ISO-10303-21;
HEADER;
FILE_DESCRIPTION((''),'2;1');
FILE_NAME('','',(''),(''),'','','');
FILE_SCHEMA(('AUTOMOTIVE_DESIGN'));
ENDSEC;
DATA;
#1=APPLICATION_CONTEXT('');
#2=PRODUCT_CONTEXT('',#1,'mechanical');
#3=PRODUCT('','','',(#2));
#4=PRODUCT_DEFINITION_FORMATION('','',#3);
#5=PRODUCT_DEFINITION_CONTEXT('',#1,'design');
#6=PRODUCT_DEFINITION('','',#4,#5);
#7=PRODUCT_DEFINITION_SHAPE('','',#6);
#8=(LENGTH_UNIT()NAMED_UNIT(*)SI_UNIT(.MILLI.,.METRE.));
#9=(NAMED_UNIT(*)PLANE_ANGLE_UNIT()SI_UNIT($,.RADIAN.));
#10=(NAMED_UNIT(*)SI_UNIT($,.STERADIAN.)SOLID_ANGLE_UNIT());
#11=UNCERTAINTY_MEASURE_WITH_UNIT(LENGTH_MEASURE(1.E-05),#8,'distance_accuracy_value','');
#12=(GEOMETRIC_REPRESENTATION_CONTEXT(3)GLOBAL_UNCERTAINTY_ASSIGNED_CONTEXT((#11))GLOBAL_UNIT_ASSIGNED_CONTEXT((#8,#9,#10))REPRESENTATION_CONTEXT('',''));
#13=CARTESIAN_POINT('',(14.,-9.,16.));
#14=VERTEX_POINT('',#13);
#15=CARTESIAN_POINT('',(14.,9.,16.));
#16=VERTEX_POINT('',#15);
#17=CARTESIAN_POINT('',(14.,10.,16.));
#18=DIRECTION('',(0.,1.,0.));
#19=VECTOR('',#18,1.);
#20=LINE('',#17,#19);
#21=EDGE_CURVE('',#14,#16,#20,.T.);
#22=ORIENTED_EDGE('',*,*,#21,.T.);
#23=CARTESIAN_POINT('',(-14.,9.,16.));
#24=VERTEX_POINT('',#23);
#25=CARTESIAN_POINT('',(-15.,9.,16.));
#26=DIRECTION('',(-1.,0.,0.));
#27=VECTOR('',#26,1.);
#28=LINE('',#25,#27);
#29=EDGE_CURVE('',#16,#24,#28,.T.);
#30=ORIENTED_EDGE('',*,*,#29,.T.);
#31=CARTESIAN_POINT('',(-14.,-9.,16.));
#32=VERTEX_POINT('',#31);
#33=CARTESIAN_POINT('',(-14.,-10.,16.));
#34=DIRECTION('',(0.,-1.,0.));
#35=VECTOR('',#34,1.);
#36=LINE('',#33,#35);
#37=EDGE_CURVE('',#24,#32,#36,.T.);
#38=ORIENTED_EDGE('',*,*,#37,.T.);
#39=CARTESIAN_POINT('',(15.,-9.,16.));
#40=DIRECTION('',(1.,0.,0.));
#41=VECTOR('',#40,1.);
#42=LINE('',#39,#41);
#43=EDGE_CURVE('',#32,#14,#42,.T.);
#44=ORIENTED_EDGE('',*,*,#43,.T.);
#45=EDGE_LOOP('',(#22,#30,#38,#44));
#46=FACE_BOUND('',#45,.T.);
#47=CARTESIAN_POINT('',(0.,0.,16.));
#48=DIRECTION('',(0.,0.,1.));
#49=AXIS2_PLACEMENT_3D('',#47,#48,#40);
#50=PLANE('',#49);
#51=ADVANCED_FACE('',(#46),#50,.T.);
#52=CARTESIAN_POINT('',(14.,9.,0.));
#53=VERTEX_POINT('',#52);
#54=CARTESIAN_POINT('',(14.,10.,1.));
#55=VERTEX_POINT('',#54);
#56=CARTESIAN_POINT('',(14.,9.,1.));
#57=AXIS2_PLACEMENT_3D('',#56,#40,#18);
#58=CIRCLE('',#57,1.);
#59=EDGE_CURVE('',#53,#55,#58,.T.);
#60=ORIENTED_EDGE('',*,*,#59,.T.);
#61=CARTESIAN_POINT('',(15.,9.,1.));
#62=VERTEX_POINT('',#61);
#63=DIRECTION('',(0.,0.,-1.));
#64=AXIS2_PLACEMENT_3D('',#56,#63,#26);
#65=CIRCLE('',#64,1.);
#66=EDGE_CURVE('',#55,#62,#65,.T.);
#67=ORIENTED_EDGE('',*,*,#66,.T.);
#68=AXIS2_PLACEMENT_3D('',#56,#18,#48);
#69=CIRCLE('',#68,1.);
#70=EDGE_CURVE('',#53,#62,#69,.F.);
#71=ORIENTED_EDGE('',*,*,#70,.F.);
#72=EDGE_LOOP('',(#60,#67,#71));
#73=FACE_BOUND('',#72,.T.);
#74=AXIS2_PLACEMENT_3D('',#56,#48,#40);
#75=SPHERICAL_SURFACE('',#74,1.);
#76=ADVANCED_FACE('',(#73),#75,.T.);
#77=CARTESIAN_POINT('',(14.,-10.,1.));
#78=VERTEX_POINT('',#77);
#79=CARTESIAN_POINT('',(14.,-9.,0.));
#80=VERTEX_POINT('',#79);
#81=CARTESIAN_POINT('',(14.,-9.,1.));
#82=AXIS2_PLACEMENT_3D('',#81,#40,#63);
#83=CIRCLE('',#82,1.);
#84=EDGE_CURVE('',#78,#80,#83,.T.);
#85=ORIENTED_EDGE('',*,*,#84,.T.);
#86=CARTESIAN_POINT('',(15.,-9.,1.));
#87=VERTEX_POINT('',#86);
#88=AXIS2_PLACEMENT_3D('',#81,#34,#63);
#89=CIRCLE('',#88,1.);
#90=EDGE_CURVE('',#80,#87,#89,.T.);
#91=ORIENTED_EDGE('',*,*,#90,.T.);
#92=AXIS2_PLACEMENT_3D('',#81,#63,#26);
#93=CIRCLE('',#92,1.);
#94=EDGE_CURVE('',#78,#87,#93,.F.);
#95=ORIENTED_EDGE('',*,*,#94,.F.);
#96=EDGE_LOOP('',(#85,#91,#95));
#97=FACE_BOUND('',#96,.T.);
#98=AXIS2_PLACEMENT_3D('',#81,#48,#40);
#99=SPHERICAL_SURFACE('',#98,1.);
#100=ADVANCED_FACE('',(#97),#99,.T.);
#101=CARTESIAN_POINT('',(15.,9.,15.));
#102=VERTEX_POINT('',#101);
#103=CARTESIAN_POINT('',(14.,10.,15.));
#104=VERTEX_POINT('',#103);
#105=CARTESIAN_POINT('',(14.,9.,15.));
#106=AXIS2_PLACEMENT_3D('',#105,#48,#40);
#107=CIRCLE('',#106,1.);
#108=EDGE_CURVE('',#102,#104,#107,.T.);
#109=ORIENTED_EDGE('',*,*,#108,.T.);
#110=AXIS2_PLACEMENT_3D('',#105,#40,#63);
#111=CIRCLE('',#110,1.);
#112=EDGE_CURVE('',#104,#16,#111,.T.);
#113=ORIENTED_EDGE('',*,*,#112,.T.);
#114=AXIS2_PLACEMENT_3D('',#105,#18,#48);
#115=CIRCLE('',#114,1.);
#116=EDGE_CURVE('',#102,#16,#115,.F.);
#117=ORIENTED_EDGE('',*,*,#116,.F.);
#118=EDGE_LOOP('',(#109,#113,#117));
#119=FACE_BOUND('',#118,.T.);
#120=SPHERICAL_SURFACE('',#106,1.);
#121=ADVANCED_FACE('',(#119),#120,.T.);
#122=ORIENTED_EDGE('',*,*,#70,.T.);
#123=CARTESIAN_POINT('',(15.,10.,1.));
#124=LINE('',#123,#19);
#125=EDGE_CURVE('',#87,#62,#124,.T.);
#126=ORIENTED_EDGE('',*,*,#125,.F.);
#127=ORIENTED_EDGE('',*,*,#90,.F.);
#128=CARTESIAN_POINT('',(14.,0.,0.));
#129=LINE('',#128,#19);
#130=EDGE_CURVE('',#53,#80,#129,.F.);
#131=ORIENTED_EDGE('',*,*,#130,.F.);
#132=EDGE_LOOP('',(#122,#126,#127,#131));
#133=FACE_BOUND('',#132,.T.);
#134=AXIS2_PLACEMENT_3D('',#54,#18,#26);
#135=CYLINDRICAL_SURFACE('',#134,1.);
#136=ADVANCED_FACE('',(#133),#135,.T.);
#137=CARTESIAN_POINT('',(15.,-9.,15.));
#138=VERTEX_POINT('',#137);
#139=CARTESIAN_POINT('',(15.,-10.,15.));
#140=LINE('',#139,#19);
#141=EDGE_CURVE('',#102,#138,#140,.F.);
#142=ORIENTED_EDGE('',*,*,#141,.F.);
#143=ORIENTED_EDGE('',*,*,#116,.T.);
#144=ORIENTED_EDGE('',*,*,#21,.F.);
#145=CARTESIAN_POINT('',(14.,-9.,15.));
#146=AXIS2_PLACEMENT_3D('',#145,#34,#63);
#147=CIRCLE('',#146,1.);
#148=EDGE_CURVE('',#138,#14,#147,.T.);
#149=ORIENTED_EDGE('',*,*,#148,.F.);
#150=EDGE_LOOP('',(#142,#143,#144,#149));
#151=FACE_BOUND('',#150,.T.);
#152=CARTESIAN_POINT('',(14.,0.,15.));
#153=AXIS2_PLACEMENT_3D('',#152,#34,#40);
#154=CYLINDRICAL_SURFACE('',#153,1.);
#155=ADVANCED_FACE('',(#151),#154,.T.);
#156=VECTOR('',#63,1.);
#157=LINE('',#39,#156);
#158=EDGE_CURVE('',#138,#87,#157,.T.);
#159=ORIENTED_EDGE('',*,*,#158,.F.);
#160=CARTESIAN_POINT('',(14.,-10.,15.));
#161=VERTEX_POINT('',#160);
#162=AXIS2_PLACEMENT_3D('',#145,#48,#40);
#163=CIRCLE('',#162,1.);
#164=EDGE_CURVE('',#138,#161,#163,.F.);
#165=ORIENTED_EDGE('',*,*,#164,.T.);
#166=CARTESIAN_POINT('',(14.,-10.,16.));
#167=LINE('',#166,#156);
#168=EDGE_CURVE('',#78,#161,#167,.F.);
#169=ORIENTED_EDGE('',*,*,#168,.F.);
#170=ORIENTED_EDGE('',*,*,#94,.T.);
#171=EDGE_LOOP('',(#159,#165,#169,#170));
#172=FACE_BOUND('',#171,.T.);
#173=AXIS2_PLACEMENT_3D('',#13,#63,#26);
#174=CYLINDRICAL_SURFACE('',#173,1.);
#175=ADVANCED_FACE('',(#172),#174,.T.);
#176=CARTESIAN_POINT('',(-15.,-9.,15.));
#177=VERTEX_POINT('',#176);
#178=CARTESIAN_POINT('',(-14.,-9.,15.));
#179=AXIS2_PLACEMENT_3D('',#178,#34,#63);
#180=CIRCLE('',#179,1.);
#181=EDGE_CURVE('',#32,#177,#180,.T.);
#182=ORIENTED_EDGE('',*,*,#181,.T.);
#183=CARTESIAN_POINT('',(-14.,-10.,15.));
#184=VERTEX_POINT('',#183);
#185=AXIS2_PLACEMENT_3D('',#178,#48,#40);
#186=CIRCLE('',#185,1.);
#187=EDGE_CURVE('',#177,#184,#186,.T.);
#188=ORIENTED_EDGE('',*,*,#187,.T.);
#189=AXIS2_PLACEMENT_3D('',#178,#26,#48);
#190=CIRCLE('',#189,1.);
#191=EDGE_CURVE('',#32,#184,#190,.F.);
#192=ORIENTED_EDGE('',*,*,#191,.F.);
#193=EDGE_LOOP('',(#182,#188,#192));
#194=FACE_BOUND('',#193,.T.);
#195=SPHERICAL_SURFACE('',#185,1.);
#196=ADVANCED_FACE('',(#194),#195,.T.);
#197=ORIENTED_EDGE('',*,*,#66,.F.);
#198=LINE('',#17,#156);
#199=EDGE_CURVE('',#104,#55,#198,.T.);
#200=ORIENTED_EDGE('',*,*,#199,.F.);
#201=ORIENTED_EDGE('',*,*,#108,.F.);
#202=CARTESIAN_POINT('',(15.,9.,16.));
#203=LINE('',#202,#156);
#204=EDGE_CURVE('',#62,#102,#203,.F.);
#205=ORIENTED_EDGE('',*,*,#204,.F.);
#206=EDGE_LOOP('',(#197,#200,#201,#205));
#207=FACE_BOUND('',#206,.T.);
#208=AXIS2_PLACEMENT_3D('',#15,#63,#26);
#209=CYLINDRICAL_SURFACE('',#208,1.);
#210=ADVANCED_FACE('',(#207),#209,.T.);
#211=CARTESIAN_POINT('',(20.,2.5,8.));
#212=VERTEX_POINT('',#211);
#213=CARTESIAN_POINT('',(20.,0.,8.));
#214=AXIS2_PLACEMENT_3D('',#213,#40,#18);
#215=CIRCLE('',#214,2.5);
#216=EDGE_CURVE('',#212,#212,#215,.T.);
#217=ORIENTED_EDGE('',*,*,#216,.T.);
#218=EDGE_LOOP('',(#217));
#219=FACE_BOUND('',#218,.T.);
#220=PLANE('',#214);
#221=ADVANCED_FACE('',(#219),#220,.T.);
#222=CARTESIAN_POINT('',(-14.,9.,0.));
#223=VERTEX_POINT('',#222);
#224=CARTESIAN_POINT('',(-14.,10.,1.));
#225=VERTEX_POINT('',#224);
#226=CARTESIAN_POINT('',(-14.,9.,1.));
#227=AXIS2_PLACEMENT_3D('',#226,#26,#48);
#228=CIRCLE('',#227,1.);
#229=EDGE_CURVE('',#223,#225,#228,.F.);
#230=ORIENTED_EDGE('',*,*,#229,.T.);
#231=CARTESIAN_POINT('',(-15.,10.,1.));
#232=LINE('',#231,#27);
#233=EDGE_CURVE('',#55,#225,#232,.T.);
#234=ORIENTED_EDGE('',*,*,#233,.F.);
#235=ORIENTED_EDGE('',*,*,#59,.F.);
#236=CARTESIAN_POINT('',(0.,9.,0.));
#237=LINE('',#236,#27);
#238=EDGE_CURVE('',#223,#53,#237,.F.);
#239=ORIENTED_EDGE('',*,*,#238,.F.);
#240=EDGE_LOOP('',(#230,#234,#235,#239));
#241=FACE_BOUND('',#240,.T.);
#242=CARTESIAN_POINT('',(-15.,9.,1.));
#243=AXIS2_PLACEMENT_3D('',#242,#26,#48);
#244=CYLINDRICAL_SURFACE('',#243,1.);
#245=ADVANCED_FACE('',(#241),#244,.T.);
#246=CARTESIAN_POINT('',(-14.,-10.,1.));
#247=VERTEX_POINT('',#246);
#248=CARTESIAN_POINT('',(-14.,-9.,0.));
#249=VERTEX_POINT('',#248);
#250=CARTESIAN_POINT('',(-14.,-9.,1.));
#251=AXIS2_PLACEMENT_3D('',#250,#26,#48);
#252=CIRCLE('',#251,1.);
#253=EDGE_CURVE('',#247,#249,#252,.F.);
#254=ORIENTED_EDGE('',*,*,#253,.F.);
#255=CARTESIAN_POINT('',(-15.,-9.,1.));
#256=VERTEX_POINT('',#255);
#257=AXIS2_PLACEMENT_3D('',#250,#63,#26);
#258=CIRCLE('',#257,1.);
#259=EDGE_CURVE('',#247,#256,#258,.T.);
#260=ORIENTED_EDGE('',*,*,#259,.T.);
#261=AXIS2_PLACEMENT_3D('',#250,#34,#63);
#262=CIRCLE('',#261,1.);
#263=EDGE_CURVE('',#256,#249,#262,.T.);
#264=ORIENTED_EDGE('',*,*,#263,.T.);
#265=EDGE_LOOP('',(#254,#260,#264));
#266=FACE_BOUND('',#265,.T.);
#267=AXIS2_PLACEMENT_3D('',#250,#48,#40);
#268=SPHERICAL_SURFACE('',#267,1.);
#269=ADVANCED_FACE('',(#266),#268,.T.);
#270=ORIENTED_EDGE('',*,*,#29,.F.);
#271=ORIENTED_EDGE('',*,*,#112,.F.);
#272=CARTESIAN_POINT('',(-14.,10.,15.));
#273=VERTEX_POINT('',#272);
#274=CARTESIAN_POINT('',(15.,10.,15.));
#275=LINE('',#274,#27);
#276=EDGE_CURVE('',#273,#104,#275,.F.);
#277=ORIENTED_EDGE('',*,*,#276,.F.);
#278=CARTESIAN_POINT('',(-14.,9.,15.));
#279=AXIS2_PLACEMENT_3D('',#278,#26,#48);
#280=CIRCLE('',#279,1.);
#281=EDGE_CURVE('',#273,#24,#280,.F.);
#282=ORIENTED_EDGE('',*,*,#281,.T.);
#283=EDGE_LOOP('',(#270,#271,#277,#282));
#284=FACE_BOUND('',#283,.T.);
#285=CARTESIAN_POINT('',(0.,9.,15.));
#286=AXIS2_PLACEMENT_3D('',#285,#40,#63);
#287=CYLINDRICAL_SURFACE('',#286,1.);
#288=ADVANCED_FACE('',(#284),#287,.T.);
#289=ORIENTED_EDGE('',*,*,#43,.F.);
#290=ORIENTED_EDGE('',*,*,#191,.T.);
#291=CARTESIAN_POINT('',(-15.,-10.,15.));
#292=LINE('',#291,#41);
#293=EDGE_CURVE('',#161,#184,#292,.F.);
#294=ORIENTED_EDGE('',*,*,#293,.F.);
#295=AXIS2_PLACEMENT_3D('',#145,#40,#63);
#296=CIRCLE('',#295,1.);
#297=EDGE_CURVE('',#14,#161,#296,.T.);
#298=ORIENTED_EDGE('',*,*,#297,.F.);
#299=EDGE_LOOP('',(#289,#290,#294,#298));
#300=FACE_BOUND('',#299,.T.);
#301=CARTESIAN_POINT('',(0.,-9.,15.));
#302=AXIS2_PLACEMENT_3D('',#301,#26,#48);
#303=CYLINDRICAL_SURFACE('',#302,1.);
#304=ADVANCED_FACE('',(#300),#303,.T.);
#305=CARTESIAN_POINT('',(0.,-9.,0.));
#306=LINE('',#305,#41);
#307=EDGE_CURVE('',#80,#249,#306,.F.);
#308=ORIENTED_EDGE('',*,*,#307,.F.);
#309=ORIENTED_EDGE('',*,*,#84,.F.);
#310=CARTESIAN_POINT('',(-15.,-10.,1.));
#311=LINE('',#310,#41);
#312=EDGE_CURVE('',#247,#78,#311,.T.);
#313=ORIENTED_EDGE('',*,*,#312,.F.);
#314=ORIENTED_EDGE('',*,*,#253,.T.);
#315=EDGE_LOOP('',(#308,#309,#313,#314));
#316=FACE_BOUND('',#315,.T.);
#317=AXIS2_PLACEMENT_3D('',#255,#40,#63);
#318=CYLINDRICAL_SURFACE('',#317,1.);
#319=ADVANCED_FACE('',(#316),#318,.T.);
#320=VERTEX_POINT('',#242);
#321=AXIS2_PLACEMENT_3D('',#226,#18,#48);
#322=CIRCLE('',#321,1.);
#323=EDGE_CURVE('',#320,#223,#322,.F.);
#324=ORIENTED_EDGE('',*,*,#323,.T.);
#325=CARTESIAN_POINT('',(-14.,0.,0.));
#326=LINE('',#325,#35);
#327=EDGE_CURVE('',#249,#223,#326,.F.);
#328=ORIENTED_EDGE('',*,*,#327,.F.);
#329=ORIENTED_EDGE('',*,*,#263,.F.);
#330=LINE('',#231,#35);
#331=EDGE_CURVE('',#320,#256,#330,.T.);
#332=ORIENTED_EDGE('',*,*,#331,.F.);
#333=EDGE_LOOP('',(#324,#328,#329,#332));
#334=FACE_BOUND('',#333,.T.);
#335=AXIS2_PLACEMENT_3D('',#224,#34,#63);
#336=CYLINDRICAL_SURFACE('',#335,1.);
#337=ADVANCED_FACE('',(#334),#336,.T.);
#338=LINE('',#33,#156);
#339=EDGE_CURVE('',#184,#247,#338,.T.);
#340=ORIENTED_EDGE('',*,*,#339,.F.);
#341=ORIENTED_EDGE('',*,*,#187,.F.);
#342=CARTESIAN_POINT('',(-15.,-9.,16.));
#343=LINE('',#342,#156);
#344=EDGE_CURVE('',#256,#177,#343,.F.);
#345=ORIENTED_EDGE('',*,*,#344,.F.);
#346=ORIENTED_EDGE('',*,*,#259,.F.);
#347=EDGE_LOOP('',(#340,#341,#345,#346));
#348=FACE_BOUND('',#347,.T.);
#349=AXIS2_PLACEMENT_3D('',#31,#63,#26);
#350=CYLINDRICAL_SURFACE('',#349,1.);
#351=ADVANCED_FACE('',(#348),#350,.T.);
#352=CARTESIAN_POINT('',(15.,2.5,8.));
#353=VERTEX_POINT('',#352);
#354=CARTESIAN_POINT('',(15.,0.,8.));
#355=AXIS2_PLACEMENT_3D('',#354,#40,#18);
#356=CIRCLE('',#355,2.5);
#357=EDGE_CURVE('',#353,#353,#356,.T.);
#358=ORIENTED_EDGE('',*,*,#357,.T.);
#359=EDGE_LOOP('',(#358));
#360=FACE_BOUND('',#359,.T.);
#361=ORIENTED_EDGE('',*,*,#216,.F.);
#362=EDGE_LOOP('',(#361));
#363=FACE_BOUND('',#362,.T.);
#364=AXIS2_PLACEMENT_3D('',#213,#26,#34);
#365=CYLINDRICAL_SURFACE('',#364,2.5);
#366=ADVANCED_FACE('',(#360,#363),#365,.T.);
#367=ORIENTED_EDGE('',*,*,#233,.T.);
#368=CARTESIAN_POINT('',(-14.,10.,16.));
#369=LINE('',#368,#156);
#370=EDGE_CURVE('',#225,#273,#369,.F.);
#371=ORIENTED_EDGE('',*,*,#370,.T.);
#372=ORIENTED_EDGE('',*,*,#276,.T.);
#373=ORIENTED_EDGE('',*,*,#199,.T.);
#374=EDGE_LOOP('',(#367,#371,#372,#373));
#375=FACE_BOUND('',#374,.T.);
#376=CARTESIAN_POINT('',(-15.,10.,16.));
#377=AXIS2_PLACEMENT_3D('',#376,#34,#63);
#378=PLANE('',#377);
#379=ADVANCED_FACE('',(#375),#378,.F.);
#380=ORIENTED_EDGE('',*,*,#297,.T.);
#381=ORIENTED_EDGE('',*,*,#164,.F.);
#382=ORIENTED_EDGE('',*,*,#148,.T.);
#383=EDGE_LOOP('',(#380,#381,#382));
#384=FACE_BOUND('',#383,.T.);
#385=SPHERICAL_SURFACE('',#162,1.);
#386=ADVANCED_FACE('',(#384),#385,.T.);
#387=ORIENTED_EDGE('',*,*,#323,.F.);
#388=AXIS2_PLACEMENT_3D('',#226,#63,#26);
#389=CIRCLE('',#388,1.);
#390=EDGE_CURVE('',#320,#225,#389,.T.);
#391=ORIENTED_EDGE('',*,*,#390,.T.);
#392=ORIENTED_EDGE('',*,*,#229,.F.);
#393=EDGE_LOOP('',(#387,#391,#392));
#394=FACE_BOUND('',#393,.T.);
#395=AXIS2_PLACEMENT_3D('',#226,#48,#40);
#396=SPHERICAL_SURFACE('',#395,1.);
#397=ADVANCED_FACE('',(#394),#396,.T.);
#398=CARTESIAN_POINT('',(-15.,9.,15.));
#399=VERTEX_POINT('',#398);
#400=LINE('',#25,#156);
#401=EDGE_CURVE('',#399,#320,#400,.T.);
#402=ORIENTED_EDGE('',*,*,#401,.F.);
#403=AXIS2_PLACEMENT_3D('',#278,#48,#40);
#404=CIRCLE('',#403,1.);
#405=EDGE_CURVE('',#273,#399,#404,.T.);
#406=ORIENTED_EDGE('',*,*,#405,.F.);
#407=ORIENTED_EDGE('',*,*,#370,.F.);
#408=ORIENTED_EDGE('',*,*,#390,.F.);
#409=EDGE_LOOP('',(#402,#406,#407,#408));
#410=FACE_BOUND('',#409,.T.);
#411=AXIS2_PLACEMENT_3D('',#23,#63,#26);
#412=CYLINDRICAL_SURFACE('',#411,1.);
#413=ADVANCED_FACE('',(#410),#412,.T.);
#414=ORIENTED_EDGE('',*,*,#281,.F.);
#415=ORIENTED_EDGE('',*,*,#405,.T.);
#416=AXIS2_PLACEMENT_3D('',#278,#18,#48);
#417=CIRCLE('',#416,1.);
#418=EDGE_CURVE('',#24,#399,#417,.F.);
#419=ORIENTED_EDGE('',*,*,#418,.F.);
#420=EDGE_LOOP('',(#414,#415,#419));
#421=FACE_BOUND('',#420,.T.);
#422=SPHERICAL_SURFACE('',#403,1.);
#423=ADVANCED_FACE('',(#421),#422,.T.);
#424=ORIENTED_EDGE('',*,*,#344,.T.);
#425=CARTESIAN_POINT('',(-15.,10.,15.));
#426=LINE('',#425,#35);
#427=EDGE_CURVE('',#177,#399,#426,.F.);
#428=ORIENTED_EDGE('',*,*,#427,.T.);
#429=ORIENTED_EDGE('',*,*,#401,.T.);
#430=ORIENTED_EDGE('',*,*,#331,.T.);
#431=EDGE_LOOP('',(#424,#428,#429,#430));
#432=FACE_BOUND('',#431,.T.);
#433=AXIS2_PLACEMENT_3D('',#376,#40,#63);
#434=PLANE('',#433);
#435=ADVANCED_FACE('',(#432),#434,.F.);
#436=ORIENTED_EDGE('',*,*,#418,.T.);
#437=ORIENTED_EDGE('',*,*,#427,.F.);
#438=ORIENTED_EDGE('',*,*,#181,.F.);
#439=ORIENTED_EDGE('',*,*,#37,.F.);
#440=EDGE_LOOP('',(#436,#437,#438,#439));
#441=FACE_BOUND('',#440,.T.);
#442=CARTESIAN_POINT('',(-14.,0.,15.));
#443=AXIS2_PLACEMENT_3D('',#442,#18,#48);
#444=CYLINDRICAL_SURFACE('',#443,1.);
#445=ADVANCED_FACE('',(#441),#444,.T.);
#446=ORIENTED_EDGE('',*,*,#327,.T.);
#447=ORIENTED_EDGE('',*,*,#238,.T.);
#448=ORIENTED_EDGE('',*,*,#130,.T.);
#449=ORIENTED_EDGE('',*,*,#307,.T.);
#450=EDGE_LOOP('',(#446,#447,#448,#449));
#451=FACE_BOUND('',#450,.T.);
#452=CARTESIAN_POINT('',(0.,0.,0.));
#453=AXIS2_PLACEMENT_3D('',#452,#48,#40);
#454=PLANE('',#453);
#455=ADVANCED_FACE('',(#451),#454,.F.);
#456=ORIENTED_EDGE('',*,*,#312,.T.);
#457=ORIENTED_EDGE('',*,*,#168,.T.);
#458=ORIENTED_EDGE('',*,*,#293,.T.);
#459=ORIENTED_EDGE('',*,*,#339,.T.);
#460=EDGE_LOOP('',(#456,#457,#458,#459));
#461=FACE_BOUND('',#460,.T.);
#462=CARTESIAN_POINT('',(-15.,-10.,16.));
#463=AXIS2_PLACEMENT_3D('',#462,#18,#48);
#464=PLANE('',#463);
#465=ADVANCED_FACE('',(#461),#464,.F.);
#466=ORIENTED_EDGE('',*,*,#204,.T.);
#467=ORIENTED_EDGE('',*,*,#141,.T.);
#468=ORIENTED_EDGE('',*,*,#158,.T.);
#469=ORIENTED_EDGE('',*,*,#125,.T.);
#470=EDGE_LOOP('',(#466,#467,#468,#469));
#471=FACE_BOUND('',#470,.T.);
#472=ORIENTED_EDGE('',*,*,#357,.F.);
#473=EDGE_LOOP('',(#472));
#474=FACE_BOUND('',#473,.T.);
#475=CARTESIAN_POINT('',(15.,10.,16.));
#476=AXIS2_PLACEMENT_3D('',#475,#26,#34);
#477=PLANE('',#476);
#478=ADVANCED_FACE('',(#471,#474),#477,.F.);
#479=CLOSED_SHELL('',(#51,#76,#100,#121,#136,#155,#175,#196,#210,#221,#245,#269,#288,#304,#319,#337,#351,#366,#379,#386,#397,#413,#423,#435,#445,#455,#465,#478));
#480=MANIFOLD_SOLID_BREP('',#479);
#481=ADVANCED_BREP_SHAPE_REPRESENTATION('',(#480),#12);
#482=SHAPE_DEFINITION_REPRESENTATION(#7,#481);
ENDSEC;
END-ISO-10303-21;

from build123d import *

# Parameters (mm, degrees)
SKETCH_1_W      = 30
SKETCH_1_H      = 20
EXTRUDE_1_DEPTH = 16
SKETCH_2_R      = 2.5
EXTRUDE_2_DEPTH = 5
FILLET_1_R      = 1


with BuildPart() as part:
    # 草图1 → 凸台-拉伸1 (new body)
    with BuildSketch(Plane.XY):
        Rectangle(SKETCH_1_W, SKETCH_1_H)
    extrude(amount=EXTRUDE_1_DEPTH)

    # 草图2 → 凸台-拉伸2 (add)
    with BuildSketch(Plane(origin=(15, 0, 0), x_dir=(0, 0, -1), z_dir=(1, 0, 0))):
        with Locations(Location((-8, 0, 0), (0, 0, 90))):
            Circle(SKETCH_2_R)
    extrude(amount=EXTRUDE_2_DEPTH)

    # 圆角1
    fillet_1_edges = [part.edges().sort_by_distance(p)[0] for p in [
        (-15, 0, 16),
        (0, -10, 16),
        (15, 0, 16),
        (0, -10, 0),
        (-15, 0, 0),
        (0, 10, 0),
        (15, 0, 0),
        (0, 10, 16),
        (15, -10, 8),
        (-15, -10, 8),
        (-15, 10, 8),
        (15, 10, 8),
    ]]
    fillet(fillet_1_edges, radius=FILLET_1_R)


solid = part.part
